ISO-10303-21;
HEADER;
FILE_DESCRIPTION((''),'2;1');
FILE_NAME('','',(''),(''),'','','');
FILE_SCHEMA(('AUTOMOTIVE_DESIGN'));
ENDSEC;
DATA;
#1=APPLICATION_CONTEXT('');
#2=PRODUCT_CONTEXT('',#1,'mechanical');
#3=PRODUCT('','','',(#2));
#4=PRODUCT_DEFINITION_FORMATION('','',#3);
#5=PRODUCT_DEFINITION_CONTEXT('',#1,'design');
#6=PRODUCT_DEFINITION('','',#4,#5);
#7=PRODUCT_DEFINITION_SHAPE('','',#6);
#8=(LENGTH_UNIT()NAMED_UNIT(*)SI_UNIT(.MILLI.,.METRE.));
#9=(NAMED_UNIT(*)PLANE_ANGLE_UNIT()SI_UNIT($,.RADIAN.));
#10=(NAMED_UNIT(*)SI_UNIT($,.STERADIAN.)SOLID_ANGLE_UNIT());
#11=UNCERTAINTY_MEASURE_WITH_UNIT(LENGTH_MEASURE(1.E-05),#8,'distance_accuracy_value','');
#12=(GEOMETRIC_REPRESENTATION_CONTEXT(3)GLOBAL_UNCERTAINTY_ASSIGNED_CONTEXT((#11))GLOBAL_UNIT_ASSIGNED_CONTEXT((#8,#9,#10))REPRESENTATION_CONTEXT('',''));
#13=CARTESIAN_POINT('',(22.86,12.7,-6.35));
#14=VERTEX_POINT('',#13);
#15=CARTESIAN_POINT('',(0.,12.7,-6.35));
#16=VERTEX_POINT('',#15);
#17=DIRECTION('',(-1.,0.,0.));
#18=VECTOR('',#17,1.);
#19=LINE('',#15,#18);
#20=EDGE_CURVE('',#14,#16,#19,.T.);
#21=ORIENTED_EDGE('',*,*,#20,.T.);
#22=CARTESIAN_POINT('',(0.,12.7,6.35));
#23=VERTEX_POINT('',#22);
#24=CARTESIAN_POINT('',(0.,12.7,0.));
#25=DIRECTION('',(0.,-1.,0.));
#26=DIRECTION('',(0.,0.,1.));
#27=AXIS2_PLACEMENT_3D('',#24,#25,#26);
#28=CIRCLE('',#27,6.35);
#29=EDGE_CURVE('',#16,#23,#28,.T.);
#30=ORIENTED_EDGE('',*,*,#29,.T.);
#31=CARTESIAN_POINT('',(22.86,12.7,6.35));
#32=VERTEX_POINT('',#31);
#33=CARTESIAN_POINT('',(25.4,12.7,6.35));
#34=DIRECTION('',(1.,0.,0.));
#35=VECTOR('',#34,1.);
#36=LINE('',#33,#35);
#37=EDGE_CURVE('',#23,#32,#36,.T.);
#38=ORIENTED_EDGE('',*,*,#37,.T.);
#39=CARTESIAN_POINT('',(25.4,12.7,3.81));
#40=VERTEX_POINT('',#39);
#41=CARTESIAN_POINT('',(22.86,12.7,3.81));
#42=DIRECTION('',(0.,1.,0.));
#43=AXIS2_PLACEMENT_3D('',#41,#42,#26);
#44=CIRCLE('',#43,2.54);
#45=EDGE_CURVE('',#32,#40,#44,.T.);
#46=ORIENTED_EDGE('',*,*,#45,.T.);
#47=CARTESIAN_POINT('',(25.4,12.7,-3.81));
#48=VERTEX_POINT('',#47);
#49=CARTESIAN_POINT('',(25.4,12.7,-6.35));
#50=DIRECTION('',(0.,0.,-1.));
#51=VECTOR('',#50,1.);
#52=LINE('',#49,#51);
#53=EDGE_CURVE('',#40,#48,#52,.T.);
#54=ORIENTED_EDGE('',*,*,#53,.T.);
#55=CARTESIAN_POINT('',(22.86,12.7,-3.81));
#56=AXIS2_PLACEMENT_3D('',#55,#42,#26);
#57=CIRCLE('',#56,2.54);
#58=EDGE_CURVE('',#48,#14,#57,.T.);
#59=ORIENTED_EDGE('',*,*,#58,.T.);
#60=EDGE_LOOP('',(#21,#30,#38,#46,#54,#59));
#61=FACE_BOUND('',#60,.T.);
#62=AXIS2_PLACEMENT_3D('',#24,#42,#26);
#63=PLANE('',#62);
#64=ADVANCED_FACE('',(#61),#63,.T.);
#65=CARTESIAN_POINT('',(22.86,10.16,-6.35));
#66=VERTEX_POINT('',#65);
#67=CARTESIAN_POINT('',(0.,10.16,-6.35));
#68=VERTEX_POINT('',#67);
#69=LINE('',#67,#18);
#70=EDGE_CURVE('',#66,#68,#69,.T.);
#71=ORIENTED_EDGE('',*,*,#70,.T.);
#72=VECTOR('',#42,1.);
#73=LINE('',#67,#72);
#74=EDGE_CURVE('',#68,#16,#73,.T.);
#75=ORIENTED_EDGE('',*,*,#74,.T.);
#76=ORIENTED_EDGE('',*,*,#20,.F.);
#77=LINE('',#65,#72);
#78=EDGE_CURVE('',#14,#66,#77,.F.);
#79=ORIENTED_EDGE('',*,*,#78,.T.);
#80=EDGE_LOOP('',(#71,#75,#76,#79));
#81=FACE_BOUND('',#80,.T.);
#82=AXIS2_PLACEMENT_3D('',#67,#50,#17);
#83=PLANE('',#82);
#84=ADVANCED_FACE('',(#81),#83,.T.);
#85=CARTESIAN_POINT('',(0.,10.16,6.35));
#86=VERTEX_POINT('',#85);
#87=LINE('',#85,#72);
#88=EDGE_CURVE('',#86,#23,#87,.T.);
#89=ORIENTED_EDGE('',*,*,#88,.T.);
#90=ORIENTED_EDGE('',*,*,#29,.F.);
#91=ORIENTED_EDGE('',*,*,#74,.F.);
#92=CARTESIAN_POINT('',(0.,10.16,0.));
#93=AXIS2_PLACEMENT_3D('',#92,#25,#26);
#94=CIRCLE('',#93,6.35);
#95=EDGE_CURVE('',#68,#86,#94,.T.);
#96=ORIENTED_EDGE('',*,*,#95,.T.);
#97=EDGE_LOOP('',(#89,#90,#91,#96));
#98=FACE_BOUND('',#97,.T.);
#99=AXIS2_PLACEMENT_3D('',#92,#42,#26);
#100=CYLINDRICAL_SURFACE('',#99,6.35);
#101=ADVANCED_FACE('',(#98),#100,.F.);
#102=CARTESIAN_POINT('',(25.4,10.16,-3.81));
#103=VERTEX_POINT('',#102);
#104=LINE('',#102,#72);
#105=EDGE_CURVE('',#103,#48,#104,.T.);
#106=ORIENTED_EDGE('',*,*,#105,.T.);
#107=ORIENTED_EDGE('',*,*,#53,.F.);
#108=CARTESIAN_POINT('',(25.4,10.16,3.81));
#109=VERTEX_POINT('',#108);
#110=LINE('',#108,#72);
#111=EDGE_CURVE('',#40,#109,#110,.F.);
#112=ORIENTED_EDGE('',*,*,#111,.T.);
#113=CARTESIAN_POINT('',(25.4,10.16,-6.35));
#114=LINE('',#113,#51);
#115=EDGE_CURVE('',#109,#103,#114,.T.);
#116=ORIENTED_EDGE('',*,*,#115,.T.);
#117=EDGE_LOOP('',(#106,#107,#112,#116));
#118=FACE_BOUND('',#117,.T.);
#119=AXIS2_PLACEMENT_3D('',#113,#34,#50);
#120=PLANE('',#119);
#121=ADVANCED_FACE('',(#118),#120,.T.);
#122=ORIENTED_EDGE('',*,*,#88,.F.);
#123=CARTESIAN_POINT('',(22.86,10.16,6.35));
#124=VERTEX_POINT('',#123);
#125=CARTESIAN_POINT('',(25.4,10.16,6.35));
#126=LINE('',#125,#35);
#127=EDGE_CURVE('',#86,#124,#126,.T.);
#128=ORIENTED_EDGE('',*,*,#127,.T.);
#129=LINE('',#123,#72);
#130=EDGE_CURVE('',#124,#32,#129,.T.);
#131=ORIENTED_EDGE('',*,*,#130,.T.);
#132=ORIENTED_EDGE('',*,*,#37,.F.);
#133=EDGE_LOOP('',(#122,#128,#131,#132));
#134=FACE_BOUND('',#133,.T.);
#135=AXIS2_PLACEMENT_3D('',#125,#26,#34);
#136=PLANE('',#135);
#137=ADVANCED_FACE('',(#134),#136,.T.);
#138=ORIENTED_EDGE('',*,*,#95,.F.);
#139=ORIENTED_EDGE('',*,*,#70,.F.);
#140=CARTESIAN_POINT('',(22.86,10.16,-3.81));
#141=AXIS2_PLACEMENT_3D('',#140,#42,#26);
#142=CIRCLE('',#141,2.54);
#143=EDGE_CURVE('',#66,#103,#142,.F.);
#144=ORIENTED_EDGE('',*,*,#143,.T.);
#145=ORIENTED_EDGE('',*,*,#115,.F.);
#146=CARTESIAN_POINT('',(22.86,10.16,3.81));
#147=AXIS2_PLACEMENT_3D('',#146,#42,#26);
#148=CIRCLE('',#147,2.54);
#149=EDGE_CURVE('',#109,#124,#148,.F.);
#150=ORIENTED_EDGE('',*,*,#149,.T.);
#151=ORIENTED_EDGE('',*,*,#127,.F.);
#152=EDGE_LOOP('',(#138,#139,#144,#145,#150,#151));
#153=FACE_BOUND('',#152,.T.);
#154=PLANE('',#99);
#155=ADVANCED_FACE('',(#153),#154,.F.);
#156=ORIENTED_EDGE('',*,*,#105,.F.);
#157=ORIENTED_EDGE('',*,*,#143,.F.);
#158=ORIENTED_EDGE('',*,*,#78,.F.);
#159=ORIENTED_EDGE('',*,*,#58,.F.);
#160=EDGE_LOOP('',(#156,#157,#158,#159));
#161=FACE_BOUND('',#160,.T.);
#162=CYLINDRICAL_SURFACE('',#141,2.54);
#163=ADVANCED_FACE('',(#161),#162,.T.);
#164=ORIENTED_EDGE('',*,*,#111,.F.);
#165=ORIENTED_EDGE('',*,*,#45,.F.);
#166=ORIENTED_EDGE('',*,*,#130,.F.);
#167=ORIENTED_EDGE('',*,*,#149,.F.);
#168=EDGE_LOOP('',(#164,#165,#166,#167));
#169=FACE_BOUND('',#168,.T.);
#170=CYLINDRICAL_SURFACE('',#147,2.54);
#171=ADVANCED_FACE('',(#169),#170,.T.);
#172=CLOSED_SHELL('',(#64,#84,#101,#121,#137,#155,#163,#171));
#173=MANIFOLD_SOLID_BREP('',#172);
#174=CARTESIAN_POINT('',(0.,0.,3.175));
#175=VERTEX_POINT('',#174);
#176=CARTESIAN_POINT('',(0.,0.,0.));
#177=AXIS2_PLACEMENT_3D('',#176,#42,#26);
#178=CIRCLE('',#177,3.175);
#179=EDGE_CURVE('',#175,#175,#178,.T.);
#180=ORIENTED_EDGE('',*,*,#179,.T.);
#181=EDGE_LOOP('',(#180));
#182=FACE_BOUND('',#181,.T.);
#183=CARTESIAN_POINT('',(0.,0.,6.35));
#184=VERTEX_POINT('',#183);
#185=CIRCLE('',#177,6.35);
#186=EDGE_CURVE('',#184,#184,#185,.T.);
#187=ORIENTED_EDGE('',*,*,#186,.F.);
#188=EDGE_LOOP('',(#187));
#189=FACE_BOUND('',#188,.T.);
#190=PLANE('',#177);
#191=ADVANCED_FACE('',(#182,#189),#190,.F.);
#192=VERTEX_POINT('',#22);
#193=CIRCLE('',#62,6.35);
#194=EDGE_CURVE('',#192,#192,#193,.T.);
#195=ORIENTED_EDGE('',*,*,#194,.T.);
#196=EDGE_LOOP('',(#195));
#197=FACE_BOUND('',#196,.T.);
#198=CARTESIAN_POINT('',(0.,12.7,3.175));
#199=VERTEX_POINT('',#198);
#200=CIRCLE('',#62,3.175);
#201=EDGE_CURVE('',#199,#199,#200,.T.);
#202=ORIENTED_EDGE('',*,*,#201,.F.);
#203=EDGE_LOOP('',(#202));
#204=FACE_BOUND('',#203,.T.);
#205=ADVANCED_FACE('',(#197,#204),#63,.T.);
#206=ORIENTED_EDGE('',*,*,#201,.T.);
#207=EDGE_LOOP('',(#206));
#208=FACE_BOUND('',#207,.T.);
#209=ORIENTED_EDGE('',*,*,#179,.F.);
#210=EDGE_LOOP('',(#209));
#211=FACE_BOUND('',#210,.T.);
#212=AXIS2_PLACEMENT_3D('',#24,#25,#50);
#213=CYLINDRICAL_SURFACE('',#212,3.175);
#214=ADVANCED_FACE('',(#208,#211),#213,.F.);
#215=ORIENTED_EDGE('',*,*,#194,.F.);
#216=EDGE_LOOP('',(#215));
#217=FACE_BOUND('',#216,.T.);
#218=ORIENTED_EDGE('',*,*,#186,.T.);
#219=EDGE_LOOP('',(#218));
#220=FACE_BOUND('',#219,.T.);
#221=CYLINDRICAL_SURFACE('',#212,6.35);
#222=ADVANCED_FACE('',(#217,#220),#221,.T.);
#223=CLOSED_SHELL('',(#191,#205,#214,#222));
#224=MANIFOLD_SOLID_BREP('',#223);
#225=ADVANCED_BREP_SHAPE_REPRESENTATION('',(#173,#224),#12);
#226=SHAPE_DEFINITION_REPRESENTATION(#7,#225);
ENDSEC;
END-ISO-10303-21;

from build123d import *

# Parameters (mm, degrees)
SKETCH1_R           = 6.35
SKETCH1_R_2         = 3.175
BOSS_EXTRUDE1_DEPTH = 12.7
BOSS_EXTRUDE2_DEPTH = 2.54
FILLET1_R           = 2.54


with BuildPart() as part:
    # Sketch1 → Boss-Extrude1 (new body)
    with BuildSketch(Plane(origin=(0, 0, 0), x_dir=(1, 0, 0), z_dir=(0, 1, 0))):
        with Locations(Location((0, 0, 0), (0, 0, 270))):
            Circle(SKETCH1_R)
        with Locations(Location((0, 0, 0), (0, 0, 270))):
            Circle(SKETCH1_R_2, mode=Mode.SUBTRACT)
    extrude(amount=BOSS_EXTRUDE1_DEPTH)


with BuildPart() as body_2:
    # Sketch2 → Boss-Extrude2 (new body)
    with BuildSketch(Plane(origin=(0, 12.7, 0), x_dir=(1, 0, 0), z_dir=(0, 1, 0))):
        with BuildLine():
            Line((0, 6.35), (25.4, 6.35))
            Line((25.4, 6.35), (25.4, -6.35))
            Line((25.4, -6.35), (0, -6.35))
            ThreePointArc((0, -6.35), (6.35, 0), (0, 6.35))
        make_face()
    extrude(amount=-BOSS_EXTRUDE2_DEPTH)

    # Fillet1
    fillet1_edges = [body_2.edges().sort_by_distance(p)[0] for p in [
        (25.4, 11.43, -6.35),
        (25.4, 11.43, 6.35),
    ]]
    fillet(fillet1_edges, radius=FILLET1_R)


solid = Compound([part.part, body_2.part])
